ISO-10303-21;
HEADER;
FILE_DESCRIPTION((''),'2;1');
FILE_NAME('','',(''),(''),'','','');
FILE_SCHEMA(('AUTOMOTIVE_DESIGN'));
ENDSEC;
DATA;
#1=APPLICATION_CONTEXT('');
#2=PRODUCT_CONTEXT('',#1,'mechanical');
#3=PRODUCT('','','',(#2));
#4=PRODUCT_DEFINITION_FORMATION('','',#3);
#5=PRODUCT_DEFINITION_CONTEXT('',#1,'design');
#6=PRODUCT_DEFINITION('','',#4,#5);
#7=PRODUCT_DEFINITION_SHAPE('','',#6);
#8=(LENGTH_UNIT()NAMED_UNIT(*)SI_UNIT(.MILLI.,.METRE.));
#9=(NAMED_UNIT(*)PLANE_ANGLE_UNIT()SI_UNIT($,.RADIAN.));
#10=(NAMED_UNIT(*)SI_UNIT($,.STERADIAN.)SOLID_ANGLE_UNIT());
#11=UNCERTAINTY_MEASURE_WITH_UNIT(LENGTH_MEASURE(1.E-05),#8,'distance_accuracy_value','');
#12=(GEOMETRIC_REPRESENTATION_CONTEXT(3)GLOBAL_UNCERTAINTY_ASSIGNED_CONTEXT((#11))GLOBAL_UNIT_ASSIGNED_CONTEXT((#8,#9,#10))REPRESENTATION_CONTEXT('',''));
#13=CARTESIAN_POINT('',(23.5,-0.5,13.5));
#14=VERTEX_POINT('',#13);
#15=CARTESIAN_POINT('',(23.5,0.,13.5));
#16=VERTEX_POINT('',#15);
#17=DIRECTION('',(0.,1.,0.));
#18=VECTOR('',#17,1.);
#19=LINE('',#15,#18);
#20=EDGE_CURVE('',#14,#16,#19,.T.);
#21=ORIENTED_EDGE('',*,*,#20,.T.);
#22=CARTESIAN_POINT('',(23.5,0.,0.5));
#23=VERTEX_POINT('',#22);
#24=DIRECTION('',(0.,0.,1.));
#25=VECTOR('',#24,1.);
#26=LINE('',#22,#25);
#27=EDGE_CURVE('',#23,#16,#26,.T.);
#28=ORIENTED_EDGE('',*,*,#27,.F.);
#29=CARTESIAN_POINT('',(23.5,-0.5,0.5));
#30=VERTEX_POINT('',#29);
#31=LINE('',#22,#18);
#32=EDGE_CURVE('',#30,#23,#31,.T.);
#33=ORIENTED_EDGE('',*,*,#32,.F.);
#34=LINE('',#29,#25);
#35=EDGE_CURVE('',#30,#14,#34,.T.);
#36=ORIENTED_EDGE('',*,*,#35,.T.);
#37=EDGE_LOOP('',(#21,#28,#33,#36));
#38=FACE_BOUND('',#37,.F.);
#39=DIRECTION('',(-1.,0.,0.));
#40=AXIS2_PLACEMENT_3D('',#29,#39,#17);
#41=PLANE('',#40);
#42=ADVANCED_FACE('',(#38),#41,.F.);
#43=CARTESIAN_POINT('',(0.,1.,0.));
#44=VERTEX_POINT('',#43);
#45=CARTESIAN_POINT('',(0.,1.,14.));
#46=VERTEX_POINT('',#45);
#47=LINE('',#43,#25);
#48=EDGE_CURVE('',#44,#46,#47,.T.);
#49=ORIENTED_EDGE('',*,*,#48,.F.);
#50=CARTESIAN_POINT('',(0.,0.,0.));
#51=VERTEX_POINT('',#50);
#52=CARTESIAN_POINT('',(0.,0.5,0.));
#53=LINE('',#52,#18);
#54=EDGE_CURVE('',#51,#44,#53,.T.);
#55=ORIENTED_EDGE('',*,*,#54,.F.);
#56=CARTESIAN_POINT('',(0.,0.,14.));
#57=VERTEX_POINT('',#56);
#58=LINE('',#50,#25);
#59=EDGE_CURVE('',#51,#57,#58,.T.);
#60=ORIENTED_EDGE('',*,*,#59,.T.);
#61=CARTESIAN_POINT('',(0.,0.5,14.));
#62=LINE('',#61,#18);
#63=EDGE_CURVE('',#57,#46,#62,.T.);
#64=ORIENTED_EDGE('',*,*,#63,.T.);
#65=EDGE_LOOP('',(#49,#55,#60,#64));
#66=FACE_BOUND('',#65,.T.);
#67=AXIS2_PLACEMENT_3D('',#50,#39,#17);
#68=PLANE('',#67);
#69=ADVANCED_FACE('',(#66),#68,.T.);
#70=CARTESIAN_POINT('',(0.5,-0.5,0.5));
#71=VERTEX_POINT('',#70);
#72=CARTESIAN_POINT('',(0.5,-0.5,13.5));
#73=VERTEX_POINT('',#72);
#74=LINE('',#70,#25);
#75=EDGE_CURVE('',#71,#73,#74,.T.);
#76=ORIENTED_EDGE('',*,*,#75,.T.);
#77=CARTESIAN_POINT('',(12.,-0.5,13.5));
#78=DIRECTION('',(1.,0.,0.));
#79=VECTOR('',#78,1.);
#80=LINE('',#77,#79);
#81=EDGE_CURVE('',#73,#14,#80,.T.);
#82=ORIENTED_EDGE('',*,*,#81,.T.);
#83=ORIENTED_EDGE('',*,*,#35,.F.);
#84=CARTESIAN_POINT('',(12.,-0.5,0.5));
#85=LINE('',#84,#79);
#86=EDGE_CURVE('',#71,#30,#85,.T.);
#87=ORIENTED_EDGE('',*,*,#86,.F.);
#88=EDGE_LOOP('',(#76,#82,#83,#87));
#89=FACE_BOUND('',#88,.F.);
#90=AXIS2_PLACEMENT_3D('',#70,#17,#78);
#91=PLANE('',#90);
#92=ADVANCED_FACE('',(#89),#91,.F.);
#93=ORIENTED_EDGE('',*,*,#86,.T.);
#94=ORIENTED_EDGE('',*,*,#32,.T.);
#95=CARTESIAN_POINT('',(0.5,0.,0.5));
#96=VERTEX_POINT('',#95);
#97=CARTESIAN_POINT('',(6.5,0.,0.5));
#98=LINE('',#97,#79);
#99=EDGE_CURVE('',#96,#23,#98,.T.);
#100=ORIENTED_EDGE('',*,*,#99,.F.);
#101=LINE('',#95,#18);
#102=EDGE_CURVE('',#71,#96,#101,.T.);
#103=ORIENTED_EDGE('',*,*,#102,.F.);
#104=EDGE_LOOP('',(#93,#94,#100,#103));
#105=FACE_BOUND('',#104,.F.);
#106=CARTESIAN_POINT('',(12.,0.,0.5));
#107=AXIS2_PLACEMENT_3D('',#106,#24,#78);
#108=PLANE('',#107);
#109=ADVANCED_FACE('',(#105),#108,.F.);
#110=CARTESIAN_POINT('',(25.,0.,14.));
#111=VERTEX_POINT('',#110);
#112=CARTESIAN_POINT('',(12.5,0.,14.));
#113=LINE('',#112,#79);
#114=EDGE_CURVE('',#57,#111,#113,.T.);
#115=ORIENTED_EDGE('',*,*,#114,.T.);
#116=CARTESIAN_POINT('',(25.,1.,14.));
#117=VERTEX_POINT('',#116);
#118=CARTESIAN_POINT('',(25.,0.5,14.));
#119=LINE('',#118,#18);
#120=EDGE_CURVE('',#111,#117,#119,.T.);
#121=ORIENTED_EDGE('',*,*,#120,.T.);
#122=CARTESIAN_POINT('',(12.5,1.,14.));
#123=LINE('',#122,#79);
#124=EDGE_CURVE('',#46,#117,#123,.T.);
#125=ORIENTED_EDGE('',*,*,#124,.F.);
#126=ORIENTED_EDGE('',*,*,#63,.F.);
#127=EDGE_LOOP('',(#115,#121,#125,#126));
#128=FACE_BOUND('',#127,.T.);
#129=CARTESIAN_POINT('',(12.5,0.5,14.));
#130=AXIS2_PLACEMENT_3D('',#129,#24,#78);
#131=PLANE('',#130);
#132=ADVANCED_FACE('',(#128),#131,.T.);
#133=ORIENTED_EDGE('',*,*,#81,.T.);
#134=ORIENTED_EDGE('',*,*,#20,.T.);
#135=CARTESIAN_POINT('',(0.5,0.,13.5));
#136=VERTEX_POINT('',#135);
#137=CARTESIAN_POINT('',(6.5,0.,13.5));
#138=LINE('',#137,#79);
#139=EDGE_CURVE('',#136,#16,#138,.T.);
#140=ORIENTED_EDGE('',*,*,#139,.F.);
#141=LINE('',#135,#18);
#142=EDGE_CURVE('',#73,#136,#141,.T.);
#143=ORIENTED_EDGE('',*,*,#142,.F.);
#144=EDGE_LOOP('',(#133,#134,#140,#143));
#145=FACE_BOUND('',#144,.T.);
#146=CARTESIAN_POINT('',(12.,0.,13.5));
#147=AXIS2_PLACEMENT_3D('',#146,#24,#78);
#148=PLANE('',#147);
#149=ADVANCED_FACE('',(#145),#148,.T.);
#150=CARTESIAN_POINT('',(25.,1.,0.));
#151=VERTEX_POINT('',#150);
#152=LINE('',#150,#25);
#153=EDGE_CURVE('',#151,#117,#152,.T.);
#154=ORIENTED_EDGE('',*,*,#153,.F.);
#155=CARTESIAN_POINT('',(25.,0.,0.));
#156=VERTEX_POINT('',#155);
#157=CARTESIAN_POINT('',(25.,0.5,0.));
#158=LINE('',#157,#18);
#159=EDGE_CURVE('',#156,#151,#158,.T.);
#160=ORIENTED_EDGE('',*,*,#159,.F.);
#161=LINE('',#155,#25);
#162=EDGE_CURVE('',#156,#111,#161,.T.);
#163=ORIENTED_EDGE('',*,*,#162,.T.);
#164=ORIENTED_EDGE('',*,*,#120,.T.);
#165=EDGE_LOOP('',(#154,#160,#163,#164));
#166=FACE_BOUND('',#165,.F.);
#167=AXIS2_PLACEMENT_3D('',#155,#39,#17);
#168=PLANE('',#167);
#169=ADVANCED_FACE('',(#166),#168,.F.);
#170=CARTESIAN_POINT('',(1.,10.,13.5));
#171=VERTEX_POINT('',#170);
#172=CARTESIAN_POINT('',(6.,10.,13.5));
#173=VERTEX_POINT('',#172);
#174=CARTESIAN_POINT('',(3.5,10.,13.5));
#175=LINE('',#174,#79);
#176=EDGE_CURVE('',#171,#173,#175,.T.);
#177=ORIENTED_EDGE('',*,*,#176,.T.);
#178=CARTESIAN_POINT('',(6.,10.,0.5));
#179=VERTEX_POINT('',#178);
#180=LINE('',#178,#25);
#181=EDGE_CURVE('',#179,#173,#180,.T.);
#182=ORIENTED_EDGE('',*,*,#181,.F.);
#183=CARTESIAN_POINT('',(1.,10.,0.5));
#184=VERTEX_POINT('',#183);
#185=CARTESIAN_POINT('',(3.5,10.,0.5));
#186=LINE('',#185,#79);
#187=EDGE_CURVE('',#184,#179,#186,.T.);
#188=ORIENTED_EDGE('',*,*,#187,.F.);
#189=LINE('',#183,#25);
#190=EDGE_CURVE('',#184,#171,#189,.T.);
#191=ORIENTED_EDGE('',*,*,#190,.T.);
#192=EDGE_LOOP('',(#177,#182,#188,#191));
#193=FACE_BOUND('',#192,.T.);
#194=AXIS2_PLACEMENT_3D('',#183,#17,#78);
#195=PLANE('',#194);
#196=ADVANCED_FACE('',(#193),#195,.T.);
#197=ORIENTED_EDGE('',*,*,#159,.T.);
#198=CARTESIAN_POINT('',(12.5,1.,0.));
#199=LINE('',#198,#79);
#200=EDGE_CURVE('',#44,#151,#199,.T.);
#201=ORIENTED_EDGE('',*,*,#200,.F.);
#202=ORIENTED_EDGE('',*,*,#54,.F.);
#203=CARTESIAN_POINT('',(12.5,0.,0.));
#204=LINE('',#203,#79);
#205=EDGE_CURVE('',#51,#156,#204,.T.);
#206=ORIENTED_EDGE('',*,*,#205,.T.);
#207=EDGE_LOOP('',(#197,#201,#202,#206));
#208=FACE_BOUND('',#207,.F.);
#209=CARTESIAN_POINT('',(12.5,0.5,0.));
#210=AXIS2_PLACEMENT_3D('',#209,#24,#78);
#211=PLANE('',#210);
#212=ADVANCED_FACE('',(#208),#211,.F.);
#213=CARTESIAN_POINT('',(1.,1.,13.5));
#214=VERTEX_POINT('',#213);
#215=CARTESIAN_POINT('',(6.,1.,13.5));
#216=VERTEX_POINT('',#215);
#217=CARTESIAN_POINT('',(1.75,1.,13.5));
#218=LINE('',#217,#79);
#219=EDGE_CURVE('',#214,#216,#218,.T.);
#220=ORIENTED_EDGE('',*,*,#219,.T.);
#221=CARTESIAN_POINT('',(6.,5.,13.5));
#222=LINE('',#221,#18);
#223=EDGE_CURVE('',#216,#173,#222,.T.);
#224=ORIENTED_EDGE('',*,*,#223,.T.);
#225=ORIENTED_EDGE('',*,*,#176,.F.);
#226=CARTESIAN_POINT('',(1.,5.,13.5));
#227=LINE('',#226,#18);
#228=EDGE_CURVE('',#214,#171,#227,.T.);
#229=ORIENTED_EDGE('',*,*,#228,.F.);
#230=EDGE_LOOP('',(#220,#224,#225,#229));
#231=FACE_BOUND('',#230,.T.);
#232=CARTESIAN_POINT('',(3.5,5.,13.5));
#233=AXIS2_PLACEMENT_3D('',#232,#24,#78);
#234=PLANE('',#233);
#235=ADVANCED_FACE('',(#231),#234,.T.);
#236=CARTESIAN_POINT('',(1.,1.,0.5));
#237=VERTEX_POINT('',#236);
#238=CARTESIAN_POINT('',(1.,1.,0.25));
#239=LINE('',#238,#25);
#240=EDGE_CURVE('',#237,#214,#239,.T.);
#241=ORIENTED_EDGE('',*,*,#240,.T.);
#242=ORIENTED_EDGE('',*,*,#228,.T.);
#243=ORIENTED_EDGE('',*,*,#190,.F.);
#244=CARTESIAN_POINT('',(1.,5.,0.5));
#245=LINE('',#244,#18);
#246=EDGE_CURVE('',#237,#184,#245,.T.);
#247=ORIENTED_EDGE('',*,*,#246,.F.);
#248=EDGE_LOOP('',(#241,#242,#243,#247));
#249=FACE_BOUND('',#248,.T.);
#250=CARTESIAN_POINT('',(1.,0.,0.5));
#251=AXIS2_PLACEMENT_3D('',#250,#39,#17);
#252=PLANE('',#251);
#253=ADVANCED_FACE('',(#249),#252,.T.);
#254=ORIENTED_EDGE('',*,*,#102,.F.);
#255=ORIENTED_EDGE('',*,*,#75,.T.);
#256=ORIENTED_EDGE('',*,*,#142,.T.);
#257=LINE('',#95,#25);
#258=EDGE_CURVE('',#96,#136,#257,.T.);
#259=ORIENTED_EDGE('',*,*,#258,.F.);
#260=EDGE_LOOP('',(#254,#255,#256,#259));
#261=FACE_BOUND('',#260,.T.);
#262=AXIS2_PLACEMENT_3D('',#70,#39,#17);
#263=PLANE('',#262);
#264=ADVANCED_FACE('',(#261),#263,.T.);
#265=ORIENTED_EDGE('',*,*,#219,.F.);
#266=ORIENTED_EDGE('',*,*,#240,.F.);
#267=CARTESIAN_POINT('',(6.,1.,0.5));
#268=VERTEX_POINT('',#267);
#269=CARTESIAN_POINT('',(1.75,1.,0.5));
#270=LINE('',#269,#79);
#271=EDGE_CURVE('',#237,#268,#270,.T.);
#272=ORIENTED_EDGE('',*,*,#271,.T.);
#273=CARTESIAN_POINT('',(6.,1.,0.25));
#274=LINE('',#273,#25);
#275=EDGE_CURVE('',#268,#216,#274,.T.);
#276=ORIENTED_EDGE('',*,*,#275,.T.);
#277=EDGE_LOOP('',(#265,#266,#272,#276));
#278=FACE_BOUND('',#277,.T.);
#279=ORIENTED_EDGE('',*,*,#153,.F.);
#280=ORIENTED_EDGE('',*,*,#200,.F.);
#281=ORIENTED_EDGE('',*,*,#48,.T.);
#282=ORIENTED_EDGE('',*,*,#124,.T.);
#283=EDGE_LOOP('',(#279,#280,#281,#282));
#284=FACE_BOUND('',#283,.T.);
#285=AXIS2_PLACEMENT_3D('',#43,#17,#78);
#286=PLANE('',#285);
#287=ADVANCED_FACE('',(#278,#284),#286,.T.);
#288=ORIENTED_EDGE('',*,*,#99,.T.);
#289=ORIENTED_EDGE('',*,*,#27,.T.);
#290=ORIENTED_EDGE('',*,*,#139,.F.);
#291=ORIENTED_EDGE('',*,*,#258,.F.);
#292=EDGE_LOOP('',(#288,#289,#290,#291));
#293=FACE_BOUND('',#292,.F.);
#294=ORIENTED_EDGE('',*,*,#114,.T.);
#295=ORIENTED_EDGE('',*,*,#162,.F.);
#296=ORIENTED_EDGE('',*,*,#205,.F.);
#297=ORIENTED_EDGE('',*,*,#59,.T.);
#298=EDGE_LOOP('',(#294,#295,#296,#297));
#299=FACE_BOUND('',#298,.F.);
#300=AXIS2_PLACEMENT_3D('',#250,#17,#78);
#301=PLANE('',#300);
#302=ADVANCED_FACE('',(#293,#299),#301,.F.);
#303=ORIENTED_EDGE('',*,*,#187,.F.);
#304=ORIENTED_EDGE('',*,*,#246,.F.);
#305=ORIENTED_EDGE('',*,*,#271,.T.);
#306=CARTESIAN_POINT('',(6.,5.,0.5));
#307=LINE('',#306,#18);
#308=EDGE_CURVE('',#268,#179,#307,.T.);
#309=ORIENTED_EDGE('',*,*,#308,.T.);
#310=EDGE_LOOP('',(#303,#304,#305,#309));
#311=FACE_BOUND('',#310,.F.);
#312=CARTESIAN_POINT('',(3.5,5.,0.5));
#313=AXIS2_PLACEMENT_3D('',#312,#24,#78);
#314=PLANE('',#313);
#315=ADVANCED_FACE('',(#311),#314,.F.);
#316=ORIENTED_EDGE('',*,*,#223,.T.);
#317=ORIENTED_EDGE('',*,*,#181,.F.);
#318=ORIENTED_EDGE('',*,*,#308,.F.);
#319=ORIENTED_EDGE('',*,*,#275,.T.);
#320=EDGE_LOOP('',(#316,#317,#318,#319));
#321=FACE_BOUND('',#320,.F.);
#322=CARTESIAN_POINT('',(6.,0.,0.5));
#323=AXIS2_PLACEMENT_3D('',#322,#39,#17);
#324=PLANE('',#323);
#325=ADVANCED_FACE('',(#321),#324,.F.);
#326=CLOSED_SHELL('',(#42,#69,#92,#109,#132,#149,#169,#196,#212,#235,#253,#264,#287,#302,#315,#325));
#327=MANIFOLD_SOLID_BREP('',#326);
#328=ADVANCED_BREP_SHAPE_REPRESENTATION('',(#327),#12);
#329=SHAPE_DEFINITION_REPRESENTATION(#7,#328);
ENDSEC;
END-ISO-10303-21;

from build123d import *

# Parameters (mm, degrees)
BOX002_W     = 5
BOX002_H     = 10
BOX002_DEPTH = 13
BOX001_W     = 23
BOX001_H     = 1
BOX001_DEPTH = 13
BOX_W        = 25
BOX_H        = 1
BOX_DEPTH    = 14


with BuildPart() as cubo002:
    # Box002 → Box002 (new body)
    with BuildSketch(Plane(origin=(1, 0, 0.5), x_dir=(1, 0, 0), z_dir=(0, 0, 1))):
        with Locations((2.5, 5)):
            Rectangle(BOX002_W, BOX002_H)
    extrude(amount=BOX002_DEPTH)


with BuildPart() as cubo001:
    # Box001 → Box001 (new body)
    with BuildSketch(Plane(origin=(0.5, -0.5, 0.5), x_dir=(1, 0, 0), z_dir=(0, 0, 1))):
        with Locations((11.5, 0.5)):
            Rectangle(BOX001_W, BOX001_H)
    extrude(amount=BOX001_DEPTH)


with BuildPart() as fusion:
    # Box → Box (new body)
    with BuildSketch(Plane.XY):
        with Locations((12.5, 0.5)):
            Rectangle(BOX_W, BOX_H)
    extrude(amount=BOX_DEPTH)

    # Fusion: union Cubo002, Cubo001
    add(cubo002.part)
    add(cubo001.part)


solid = fusion.part
